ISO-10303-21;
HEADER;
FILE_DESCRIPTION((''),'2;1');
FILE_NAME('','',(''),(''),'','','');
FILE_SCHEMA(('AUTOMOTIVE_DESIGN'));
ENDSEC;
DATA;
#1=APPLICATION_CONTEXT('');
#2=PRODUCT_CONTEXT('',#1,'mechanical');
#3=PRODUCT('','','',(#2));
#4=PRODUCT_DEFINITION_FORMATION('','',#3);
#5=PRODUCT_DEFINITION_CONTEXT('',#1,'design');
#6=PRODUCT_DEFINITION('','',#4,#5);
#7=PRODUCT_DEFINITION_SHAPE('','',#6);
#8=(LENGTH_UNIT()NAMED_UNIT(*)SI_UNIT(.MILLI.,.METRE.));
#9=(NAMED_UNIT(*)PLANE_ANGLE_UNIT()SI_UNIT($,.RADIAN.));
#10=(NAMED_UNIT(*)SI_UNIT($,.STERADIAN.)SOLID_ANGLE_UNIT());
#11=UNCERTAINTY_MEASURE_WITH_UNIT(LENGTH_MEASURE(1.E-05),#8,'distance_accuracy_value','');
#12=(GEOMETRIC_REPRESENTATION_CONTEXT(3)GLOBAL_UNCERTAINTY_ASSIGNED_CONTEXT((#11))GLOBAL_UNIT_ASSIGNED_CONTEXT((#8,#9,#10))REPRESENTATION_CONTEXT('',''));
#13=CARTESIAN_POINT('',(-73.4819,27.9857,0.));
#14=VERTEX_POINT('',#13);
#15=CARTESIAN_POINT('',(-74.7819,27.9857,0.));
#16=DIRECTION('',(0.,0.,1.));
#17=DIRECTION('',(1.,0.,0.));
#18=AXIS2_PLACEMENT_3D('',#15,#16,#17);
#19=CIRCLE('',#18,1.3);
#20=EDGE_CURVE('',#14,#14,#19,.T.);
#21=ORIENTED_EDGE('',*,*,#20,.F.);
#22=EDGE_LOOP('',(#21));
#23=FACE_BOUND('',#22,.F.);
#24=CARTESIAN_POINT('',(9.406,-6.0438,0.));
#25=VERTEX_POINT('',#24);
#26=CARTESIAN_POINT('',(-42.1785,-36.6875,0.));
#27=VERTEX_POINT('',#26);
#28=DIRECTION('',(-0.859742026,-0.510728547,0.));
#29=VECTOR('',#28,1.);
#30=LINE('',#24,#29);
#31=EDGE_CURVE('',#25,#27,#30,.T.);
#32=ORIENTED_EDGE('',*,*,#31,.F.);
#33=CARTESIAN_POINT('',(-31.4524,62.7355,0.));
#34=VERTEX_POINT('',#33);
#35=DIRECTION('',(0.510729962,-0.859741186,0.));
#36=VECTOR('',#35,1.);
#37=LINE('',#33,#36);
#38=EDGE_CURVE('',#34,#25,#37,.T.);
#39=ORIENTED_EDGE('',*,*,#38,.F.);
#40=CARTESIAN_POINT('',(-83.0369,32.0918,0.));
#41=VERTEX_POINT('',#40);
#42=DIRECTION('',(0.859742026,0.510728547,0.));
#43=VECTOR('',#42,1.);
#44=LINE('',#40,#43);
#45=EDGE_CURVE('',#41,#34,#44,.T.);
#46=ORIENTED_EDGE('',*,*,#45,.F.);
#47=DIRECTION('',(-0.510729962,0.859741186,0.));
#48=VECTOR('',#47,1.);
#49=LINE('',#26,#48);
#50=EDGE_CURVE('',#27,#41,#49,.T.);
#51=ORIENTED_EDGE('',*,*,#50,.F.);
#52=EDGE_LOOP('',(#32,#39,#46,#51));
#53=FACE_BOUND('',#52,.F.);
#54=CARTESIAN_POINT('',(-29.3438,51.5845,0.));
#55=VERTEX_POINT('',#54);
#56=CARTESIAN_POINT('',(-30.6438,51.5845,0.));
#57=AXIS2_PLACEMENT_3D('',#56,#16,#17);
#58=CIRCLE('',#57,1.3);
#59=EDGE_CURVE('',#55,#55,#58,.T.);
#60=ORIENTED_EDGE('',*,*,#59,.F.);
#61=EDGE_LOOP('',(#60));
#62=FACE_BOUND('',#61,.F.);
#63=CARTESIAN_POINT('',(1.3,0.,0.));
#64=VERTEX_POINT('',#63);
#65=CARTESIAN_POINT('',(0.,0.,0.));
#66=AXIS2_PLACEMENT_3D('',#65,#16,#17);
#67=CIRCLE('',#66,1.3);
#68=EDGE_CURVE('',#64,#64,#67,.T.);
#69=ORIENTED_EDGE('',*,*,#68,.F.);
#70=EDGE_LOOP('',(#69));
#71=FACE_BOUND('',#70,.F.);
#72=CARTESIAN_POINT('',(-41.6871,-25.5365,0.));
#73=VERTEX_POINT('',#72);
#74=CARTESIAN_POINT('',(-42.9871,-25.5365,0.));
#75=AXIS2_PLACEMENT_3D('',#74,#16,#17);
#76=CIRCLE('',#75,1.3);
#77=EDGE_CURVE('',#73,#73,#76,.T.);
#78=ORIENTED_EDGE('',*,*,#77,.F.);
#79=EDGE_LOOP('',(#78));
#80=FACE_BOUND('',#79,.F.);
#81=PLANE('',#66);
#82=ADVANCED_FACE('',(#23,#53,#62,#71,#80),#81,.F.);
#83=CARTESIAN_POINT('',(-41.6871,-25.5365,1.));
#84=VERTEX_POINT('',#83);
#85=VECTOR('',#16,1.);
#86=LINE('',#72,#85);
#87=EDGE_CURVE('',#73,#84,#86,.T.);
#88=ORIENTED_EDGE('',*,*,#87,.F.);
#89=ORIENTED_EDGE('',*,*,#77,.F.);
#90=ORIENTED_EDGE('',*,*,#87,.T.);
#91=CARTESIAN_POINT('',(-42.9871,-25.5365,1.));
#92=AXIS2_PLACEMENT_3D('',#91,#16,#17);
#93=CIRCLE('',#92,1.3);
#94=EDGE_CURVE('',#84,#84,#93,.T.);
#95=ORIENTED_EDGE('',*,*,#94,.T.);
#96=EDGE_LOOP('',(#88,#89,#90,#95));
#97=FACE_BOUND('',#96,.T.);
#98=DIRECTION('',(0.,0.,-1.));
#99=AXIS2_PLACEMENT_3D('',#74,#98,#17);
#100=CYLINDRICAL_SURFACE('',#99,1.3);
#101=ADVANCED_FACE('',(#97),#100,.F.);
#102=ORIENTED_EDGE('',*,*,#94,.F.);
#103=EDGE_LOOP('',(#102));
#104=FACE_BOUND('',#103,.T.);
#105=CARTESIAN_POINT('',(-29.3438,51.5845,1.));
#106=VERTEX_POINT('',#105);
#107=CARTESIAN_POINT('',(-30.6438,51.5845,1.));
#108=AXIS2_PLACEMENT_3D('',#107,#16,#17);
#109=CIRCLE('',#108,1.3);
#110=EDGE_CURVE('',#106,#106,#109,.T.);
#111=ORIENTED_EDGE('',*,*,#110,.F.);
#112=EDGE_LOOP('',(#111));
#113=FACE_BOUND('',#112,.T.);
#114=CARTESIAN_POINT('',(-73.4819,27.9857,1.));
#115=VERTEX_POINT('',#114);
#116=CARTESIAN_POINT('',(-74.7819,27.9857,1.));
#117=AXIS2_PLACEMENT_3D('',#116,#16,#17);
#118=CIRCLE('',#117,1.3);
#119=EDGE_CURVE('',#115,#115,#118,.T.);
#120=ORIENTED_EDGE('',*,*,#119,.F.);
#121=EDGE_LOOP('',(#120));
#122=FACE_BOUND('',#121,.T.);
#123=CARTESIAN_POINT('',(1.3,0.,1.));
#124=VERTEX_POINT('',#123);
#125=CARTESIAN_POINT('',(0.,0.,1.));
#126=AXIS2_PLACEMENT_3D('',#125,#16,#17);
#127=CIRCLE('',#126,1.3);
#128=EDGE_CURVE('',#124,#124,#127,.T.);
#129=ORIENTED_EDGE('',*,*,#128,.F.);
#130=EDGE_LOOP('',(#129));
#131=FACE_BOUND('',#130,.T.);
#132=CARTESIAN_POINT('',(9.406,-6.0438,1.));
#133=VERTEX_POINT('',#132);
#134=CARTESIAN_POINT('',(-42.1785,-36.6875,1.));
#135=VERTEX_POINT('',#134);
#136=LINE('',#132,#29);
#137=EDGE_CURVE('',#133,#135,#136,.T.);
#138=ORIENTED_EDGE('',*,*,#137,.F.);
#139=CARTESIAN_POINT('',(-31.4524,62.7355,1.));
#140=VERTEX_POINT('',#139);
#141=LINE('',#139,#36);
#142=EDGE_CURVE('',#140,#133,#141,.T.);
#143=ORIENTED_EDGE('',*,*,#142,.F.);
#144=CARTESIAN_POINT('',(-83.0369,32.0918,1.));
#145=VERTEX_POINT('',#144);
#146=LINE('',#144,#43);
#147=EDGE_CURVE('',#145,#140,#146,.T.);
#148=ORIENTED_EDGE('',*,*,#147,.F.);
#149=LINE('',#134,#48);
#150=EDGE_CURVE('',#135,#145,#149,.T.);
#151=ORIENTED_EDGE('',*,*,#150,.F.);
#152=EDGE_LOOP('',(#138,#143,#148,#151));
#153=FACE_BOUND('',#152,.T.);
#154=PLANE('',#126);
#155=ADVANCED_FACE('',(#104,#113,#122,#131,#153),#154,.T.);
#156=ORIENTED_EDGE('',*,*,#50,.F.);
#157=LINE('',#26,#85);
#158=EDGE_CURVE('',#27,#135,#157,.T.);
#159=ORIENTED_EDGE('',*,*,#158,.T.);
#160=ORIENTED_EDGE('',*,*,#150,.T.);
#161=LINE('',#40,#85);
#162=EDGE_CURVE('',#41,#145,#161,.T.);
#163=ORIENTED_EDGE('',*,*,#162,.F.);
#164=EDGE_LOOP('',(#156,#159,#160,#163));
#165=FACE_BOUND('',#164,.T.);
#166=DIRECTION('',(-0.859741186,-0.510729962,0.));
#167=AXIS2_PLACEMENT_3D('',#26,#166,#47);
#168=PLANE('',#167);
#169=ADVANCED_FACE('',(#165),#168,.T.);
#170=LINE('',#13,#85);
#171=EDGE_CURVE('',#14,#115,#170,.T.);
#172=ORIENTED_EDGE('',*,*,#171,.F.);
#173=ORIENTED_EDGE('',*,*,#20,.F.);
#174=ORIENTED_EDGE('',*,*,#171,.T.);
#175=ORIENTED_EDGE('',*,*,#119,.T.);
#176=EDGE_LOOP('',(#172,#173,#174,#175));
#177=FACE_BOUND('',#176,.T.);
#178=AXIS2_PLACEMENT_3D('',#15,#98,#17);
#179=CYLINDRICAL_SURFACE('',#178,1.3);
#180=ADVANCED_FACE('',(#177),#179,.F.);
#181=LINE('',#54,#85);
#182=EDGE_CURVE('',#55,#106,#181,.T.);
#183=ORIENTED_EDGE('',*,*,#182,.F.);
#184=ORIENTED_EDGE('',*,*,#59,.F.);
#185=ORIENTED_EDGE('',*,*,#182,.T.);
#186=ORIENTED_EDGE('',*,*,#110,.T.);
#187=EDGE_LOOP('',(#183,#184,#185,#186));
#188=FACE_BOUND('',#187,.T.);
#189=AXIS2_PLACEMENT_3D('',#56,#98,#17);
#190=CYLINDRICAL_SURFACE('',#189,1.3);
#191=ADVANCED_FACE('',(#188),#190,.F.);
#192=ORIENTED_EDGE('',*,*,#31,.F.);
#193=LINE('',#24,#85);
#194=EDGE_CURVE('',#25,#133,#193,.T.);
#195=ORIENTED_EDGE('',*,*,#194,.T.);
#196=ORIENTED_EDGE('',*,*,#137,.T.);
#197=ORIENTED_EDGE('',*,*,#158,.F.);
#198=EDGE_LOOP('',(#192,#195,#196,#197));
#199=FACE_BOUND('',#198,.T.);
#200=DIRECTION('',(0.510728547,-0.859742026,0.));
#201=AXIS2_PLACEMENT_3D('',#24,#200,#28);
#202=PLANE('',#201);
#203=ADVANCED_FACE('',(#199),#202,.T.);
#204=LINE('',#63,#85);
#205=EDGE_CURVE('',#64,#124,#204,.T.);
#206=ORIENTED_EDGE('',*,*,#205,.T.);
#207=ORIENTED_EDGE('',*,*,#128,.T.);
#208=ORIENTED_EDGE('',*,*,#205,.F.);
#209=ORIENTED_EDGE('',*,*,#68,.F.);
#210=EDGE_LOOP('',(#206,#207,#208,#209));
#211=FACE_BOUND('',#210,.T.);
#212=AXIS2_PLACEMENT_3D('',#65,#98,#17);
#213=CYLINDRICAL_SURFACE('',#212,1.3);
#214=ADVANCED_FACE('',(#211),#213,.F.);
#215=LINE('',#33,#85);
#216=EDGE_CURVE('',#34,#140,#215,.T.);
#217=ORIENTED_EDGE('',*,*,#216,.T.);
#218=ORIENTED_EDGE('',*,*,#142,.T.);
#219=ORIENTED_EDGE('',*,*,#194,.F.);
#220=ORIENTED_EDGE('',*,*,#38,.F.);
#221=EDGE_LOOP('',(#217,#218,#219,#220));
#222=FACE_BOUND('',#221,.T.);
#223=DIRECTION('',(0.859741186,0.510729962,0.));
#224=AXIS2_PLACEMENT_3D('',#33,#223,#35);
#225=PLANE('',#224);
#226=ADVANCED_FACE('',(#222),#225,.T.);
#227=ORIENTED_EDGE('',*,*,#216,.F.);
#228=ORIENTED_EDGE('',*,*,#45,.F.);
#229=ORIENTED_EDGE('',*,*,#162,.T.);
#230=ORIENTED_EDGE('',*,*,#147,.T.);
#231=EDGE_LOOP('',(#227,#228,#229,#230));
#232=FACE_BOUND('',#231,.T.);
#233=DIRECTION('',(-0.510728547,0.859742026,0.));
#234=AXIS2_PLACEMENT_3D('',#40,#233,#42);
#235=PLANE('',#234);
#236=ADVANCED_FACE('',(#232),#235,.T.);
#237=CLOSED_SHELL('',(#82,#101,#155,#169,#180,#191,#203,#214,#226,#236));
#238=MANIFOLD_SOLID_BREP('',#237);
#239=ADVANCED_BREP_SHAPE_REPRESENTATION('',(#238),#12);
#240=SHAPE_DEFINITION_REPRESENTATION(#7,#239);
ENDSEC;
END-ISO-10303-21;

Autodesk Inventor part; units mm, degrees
ref_plane "YZ Plane" through (0, 0, 0) normal (1, 0, 0) x (0, 1, 0)
ref_plane "XZ Plane" through (0, 0, 0) normal (0, 1, 0) x (-1, 0, 0)
ref_plane "XY Plane" through (0, 0, 0) normal (0, 0, 1) x (1, 0, 0)
sketch "スケッチ1" plane through (0, 0, 0) normal (0, 0, 1) x (1, 0, 0)
  line L0 (9.406, -6.0438) -> (-42.1785, -36.6875)
  line L1 (-42.1785, -36.6875) -> (-83.0369, 32.0918)
  line L2 (-83.0369, 32.0918) -> (-31.4524, 62.7355)
  line L3 (-31.4524, 62.7355) -> (9.406, -6.0438)
  circle A0 centre (-42.9871, -25.5365) radius 1.3 projected
  circle A1 centre (-74.7819, 27.9857) radius 1.3 projected
  circle A2 centre (-30.6438, 51.5845) radius 1.3 projected
  circle A3 centre (0, 0) radius 1.3 projected
  line L4 (-30.6438, 51.5845) -> (-26.3451, 54.1381) construction
  line L5 (-30.6438, 51.5845) -> (-35.7511, 60.1819) construction
  line L6 (-42.9871, -25.5365) -> (-47.2858, -28.0901) construction
  line L7 (-42.9871, -25.5365) -> (-37.8798, -34.1339) construction
  line L8 (-74.7819, 27.9857) -> (-78.7381, 34.6454) construction
  line L9 (-74.7819, 27.9857) -> (-79.0806, 25.432) construction
  line L10 (0, 0) -> (4.2987, 2.5536) construction
  line L11 (0, 0) -> (5.1073, -8.5974) construction
  point P0 (0, 0)
  dimension "d2" = 80
  dimension "d3" = 60
extrude "押し出し1" add sketch "スケッチ1" along normal blind 1
properties part number "ThirdPlate"
